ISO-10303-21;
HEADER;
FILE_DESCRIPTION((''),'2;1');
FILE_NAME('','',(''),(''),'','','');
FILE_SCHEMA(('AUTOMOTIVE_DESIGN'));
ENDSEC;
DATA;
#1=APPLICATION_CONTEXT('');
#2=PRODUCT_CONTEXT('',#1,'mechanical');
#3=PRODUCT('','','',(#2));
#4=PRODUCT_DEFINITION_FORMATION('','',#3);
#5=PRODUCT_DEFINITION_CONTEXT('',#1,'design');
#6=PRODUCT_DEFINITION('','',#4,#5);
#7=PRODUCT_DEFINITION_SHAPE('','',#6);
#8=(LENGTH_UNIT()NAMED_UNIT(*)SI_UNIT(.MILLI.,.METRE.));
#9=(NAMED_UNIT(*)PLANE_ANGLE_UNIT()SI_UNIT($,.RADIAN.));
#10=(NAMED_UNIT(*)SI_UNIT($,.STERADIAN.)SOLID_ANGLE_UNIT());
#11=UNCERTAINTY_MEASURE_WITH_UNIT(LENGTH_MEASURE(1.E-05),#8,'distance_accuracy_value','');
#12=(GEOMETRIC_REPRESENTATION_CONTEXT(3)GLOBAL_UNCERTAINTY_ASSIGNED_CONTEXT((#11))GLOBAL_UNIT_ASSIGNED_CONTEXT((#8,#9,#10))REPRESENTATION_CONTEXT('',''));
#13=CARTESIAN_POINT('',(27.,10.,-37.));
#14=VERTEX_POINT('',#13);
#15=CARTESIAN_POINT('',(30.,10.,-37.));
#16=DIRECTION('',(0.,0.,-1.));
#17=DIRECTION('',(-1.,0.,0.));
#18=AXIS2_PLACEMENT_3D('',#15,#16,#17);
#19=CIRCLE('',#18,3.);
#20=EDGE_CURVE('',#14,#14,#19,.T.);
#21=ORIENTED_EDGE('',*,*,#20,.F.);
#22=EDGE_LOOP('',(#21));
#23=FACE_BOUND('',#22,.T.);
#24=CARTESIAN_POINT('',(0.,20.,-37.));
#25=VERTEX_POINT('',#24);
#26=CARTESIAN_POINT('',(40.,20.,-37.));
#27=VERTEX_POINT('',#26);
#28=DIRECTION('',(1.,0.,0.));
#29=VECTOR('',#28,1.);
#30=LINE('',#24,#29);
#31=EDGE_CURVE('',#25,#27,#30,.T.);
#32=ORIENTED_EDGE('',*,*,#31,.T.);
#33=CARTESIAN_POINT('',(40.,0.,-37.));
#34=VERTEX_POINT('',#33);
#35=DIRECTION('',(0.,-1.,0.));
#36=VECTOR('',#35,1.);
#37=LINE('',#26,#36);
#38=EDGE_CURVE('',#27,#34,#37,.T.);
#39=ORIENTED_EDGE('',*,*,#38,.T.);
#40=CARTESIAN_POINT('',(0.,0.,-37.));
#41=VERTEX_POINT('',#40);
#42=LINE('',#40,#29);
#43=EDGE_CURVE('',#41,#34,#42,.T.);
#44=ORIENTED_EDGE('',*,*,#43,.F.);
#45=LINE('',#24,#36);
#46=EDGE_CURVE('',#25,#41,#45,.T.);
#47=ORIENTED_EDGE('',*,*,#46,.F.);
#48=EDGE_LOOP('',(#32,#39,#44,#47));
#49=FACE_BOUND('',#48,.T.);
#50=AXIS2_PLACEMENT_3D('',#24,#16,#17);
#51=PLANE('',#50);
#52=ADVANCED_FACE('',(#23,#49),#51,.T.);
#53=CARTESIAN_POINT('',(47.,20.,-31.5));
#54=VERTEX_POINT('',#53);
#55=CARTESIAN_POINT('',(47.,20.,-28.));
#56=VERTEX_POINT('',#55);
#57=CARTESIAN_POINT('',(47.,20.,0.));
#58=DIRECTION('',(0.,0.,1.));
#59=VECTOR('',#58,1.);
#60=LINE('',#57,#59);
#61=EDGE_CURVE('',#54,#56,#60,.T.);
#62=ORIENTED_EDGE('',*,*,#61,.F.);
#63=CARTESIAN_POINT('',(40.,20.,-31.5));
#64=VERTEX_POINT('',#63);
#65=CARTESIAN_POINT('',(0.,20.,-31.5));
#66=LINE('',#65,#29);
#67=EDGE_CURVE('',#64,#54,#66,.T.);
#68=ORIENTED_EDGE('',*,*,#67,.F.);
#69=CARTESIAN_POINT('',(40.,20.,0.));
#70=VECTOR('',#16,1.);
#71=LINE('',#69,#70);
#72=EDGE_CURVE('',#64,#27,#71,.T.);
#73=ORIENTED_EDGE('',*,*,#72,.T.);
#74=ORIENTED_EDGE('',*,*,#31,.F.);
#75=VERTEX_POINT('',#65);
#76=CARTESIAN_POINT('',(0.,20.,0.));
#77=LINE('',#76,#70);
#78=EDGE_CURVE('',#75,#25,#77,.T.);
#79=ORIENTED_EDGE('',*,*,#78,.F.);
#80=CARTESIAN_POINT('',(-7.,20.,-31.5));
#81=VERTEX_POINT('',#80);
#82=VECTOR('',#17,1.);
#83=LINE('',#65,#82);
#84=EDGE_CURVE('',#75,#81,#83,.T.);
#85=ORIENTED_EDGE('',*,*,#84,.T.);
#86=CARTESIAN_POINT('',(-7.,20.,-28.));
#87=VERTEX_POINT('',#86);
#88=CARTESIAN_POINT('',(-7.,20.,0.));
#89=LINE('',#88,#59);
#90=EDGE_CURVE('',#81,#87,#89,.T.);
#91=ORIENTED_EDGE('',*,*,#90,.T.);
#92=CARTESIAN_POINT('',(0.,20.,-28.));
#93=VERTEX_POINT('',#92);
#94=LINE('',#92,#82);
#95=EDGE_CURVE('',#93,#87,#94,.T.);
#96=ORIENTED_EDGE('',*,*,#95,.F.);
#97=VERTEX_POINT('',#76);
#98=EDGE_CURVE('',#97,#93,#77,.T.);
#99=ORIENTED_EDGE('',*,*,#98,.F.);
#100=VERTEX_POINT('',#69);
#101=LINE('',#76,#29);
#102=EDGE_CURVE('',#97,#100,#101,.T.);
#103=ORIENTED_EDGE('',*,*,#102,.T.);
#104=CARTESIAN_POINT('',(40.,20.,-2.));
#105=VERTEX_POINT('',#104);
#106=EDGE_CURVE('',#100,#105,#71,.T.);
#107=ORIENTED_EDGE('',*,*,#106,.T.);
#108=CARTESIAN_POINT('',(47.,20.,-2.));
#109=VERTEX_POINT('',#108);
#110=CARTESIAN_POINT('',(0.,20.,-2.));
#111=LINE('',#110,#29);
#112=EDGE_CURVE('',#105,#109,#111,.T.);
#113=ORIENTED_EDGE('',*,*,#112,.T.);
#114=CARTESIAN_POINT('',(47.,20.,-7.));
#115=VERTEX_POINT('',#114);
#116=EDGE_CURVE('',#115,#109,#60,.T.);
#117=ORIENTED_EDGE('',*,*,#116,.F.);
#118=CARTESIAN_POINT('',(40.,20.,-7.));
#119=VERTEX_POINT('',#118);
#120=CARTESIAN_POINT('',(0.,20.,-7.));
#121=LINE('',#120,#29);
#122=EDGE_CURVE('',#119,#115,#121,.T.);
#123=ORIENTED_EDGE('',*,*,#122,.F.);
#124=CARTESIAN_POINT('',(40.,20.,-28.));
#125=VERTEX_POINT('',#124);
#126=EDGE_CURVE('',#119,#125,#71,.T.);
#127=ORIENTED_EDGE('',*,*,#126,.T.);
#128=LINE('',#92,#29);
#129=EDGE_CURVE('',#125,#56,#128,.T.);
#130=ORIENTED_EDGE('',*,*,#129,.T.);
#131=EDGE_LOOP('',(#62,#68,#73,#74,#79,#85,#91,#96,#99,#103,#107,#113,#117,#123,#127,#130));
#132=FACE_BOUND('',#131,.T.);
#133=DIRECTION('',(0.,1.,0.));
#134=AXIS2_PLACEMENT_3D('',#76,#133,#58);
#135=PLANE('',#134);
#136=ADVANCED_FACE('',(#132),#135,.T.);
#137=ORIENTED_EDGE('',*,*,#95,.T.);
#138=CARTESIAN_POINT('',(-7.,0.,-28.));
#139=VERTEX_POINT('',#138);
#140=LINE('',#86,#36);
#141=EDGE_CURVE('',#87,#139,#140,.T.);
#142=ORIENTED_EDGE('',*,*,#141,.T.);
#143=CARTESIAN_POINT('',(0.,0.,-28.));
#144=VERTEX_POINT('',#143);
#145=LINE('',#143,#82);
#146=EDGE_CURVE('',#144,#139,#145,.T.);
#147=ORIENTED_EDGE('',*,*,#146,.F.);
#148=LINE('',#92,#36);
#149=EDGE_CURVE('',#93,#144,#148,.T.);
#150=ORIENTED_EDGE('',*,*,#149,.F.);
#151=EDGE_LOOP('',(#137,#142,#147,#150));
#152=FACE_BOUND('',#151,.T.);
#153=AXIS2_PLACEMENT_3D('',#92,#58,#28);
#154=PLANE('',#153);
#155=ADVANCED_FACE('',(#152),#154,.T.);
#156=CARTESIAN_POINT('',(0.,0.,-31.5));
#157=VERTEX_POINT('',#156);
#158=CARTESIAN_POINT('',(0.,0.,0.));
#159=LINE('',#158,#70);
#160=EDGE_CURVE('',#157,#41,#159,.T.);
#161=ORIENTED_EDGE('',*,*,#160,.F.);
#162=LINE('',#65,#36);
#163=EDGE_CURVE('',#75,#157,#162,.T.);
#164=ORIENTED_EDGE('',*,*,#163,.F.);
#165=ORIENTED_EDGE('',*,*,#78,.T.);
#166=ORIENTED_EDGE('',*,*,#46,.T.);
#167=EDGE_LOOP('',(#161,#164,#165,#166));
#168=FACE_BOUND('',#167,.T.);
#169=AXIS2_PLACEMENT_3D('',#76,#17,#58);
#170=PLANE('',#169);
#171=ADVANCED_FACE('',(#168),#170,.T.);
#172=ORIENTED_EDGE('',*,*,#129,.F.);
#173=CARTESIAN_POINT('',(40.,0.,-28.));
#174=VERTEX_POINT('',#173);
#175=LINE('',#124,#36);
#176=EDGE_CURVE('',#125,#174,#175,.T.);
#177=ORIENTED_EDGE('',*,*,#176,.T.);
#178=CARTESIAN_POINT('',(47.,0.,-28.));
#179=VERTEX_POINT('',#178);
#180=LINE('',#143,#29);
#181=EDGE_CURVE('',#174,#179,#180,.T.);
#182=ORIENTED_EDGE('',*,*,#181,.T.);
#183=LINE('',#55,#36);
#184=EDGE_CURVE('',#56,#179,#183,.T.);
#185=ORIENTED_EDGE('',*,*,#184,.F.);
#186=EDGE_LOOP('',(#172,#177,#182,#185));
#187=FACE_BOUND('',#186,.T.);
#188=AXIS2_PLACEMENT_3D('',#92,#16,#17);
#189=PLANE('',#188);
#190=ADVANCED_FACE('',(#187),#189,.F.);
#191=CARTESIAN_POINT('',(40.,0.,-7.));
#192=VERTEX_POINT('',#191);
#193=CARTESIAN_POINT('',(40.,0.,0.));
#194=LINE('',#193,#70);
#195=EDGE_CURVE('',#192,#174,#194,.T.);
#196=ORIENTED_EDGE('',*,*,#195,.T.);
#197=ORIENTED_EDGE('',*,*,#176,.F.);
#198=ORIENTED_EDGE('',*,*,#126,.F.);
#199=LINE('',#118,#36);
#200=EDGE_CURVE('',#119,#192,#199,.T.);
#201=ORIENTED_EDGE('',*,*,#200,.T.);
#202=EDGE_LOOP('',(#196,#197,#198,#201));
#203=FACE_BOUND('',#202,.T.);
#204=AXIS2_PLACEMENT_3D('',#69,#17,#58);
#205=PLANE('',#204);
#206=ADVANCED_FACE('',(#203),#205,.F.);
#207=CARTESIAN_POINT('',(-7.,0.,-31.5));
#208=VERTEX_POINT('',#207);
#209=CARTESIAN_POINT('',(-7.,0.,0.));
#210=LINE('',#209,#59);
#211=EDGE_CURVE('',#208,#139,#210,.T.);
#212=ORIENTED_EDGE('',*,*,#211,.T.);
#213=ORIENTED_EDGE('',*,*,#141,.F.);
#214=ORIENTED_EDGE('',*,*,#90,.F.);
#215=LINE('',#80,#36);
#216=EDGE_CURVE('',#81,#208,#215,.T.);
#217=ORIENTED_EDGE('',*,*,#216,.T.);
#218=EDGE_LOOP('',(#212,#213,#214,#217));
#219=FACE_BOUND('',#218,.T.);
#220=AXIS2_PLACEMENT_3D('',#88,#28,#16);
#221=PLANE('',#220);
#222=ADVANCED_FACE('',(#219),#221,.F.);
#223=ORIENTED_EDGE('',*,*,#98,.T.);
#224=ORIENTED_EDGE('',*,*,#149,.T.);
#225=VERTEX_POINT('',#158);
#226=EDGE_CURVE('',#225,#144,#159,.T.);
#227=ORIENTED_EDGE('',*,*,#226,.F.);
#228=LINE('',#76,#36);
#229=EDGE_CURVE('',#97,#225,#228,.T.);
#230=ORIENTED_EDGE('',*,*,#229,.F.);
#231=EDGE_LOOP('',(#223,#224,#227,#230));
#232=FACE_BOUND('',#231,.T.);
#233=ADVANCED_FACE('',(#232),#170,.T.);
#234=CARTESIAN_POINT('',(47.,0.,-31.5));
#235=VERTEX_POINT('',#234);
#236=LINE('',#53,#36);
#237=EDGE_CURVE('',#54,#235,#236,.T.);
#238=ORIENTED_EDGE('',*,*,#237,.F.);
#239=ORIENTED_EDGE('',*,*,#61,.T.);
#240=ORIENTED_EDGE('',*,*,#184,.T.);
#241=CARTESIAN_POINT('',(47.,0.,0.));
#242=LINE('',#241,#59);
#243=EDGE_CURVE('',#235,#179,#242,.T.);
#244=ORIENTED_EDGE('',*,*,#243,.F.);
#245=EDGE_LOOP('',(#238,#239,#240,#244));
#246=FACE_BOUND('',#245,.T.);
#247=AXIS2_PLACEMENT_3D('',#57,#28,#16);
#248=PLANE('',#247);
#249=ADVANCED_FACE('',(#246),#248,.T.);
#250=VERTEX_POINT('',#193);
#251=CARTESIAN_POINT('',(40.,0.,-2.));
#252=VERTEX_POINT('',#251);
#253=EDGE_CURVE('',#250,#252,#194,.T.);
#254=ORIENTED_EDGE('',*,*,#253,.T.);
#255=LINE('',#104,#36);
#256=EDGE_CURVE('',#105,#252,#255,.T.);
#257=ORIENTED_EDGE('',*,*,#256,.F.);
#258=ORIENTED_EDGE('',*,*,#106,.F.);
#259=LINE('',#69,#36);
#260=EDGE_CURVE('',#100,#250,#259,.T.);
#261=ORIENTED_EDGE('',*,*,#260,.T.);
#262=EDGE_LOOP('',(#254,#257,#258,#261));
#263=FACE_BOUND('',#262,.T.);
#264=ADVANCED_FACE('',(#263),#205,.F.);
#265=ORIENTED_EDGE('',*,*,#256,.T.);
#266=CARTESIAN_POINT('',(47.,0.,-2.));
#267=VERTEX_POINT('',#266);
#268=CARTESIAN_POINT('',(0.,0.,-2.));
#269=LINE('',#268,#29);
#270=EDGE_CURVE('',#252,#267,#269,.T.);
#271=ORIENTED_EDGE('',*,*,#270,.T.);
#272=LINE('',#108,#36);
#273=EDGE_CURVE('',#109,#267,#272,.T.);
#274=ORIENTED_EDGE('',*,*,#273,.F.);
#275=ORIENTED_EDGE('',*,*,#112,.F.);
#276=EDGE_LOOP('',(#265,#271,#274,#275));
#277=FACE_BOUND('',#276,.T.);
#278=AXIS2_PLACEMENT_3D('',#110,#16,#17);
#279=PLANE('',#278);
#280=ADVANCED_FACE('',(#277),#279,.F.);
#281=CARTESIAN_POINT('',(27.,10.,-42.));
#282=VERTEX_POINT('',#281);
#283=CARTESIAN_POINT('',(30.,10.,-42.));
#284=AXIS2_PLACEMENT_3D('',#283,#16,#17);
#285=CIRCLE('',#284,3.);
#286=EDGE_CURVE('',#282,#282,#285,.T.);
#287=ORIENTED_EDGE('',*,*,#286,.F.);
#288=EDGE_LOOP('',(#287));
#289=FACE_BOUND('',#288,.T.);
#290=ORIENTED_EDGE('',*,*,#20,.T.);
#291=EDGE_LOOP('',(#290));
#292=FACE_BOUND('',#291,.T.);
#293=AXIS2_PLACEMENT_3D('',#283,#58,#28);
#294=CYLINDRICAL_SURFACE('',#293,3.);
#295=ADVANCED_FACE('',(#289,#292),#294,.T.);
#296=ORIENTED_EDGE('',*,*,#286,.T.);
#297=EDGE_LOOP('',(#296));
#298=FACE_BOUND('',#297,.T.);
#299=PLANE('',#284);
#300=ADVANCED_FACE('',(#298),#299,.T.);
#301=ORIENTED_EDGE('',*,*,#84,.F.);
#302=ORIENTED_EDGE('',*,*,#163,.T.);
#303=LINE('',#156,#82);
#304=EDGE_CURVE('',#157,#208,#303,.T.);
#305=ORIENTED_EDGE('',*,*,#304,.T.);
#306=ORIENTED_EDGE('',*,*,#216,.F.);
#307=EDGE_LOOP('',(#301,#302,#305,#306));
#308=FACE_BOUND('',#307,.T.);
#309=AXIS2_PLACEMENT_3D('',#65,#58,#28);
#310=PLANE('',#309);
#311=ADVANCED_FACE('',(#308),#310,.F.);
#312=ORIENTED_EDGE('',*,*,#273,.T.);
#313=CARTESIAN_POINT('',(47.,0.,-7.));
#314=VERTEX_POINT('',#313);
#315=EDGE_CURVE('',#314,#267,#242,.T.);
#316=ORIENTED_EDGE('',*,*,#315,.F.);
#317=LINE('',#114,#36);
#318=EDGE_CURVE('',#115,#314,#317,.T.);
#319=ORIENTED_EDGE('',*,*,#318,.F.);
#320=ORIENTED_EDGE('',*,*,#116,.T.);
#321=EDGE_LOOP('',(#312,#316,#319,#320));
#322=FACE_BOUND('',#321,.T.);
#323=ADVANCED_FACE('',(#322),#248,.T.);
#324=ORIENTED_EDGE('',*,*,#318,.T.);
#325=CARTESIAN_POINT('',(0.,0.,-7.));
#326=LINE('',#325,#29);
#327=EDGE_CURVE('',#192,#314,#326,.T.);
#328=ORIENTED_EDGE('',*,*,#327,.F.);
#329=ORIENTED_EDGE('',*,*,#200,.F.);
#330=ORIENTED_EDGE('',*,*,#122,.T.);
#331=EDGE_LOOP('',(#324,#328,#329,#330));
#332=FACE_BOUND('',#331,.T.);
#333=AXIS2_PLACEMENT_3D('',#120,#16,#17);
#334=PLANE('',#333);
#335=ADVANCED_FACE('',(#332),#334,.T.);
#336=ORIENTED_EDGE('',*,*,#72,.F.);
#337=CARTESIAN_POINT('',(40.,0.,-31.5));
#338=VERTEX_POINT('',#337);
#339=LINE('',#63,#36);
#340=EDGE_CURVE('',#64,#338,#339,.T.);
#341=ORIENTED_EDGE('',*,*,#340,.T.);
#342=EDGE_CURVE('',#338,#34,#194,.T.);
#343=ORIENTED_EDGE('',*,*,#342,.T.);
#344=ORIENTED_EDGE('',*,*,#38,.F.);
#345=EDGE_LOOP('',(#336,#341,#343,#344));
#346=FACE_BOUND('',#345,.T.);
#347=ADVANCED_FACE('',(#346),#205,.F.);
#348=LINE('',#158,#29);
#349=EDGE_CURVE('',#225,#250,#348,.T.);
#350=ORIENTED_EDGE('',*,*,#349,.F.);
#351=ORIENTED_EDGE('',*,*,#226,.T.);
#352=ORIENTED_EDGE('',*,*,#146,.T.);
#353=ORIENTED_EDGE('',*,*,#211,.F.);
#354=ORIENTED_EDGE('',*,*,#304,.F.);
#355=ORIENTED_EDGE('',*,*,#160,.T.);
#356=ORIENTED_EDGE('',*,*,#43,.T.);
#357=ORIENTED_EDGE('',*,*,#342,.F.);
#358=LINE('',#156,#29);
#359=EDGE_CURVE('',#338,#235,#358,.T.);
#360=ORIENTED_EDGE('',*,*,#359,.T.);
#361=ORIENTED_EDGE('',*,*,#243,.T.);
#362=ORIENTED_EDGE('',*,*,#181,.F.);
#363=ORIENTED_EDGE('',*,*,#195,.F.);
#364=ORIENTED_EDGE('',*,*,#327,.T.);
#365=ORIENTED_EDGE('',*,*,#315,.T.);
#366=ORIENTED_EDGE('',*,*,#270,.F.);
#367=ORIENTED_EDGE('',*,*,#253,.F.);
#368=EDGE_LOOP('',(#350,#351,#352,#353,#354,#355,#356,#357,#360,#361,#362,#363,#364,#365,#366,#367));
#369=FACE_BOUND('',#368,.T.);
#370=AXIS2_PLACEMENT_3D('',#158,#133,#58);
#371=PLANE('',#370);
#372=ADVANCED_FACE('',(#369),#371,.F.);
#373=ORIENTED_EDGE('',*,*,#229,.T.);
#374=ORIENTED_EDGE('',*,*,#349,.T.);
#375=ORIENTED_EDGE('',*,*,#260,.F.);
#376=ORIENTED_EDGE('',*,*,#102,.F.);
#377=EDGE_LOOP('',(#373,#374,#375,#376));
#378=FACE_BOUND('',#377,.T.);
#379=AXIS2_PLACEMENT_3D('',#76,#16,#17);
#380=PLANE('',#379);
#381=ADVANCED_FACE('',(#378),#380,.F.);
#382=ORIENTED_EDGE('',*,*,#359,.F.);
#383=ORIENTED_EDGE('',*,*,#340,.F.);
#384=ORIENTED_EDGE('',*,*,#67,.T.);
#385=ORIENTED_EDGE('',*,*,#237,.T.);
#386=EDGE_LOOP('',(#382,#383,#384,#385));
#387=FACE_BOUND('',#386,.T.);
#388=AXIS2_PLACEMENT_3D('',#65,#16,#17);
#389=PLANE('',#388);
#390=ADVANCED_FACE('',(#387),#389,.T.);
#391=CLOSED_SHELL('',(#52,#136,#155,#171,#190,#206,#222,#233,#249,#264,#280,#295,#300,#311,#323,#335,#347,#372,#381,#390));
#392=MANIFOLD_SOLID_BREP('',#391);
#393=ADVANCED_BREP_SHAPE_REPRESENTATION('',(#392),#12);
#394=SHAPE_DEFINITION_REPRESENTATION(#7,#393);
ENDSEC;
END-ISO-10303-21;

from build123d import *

# Parameters (mm, degrees)
BOSS_EXTRU_1_DEPTH = 20
ESQUISSE2_R        = 3
BOSS_EXTRU_2_DEPTH = 5


with BuildPart() as part:
    # Esquisse1 → Boss.-Extru.1 (new body)
    with BuildSketch(Plane(origin=(0, 0, 0), x_dir=(1, 0, 0), z_dir=(0, 1, 0))):
        Polygon((0, 0), (40, 0), (40, 2), (47, 2), (47, 7), (40, 7), (40, 28), (47, 28), (47, 31.5), (40, 31.5), (40, 37), (0, 37), (0, 31.5), (-7, 31.5), (-7, 28), (0, 28), align=None)
    extrude(amount=BOSS_EXTRU_1_DEPTH)

    # Esquisse2 → Boss.-Extru.2 (add)
    with BuildSketch(Plane(origin=(0, 0, -37), x_dir=(-1, 0, 0), z_dir=(0, 0, -1))):
        with Locations((-30, 10)):
            Circle(ESQUISSE2_R)
    extrude(amount=BOSS_EXTRU_2_DEPTH)


solid = part.part
